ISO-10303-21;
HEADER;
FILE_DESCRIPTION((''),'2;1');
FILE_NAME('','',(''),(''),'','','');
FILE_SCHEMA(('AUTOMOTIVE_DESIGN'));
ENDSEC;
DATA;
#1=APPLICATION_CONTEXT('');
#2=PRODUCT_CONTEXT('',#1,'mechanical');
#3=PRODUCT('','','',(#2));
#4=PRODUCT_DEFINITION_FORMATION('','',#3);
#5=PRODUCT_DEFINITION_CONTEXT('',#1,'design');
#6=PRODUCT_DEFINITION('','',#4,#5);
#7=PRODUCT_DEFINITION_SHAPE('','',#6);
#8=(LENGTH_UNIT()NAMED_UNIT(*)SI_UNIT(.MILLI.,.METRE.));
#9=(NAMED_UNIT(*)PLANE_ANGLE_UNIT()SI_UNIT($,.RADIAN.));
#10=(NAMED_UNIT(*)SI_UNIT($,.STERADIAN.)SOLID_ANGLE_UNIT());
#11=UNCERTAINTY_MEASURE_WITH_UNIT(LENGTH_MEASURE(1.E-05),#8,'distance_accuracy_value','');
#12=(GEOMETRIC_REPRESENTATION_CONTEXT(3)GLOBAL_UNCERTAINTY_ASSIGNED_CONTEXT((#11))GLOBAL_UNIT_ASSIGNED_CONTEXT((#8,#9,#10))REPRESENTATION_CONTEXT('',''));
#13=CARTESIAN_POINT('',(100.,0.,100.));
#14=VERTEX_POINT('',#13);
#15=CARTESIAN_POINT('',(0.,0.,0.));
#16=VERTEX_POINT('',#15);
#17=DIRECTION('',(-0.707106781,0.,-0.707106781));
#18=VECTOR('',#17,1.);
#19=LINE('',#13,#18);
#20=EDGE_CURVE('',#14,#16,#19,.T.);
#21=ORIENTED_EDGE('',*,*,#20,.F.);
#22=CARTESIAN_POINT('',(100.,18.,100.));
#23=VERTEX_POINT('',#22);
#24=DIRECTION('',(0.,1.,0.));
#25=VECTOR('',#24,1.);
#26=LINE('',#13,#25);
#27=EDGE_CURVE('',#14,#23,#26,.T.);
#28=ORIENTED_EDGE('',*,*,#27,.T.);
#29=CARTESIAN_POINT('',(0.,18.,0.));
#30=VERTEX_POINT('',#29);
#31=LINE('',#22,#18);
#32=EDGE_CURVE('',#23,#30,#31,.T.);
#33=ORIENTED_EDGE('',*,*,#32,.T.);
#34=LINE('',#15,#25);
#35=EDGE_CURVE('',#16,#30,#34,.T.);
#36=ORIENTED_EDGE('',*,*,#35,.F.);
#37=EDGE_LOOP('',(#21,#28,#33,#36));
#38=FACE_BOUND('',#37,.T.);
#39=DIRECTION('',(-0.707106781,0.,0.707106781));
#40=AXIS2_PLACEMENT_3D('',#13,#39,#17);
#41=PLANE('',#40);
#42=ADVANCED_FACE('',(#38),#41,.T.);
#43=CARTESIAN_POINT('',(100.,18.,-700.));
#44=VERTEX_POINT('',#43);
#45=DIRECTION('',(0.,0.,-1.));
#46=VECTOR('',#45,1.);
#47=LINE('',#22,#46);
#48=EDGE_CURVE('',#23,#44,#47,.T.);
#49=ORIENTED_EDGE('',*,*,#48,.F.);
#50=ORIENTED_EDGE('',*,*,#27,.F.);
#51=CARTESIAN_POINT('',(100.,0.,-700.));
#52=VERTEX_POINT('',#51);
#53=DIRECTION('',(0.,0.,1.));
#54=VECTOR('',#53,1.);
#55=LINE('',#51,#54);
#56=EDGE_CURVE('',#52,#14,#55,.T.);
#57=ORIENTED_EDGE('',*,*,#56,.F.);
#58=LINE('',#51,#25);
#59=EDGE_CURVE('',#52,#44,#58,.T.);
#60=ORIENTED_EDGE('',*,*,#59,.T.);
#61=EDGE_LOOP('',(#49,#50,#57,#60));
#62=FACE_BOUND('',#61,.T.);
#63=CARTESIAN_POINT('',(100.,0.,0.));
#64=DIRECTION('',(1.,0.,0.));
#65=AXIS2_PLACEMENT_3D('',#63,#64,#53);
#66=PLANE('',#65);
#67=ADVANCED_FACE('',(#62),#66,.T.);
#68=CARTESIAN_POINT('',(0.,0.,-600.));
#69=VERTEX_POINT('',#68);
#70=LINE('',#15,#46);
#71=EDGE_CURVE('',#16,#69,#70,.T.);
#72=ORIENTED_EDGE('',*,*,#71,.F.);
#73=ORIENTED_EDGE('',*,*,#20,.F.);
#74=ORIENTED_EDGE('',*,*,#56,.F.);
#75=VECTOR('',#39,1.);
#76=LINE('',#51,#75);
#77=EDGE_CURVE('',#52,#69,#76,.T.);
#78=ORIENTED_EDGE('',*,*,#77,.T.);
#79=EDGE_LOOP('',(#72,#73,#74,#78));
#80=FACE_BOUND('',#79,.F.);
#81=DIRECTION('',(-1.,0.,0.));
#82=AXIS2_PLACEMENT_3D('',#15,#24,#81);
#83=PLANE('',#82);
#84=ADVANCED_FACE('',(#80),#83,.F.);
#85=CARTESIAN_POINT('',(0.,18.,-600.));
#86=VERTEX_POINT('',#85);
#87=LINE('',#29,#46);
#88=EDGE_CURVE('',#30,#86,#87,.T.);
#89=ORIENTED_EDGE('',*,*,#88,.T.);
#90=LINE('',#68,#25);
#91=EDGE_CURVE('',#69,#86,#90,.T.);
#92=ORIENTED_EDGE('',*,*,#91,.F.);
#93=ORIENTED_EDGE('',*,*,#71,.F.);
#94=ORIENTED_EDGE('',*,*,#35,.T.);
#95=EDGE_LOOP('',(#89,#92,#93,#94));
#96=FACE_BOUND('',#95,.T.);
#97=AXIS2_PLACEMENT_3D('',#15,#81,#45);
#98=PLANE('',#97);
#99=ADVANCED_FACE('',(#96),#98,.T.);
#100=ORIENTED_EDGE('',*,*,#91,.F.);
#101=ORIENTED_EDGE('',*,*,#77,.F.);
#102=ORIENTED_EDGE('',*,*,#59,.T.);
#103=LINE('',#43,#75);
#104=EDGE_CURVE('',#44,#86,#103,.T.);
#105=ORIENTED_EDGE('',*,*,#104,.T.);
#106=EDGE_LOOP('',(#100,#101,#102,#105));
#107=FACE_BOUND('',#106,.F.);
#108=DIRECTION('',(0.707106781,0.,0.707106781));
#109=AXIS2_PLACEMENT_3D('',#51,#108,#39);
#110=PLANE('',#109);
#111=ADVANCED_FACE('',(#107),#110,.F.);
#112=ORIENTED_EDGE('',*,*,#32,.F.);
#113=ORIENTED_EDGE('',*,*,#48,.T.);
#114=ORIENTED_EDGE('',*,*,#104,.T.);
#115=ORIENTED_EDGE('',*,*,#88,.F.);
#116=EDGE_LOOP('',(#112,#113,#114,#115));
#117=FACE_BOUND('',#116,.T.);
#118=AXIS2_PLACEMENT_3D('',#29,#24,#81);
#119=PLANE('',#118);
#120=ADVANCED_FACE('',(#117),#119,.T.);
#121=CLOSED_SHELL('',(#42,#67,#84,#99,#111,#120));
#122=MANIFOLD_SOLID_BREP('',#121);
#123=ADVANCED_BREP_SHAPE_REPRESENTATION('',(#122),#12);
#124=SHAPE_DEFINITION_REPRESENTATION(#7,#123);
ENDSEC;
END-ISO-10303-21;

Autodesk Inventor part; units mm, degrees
ref_plane "YZ Plane" through (0, 0, 0) normal (1, 0, 0) x (0, 1, 0)
ref_plane "XZ Plane" through (0, 0, 0) normal (0, 1, 0) x (-1, 0, 0)
ref_plane "XY Plane" through (0, 0, 0) normal (0, 0, 1) x (1, 0, 0)
sketch "Sketch1" plane through (0, 0, 0) normal (0, 1, 0) x (-1, 0, 0)
  line L0 (0, 0) -> (0, -600)
  line L1 (0, 0) -> (-100, 0)
  line L2 (-100, 0) -> (-100, 100)
  line L3 (-100, 100) -> (0, 0)
  line L4 (0, -600) -> (-100, -600)
  line L5 (-100, -600) -> (-100, -700)
  line L6 (-100, -700) -> (0, -600)
  line L7 (-100, -600) -> (-100, 0)
  dimension "d0" = 600
  dimension "d1" = 100
  dimension "d2" = 100
  dimension "d3" = 100
  dimension "d4" = 100
extrude "Extrusion1" add sketch "Sketch1" along normal blind 18
properties part number "Fata_3"
